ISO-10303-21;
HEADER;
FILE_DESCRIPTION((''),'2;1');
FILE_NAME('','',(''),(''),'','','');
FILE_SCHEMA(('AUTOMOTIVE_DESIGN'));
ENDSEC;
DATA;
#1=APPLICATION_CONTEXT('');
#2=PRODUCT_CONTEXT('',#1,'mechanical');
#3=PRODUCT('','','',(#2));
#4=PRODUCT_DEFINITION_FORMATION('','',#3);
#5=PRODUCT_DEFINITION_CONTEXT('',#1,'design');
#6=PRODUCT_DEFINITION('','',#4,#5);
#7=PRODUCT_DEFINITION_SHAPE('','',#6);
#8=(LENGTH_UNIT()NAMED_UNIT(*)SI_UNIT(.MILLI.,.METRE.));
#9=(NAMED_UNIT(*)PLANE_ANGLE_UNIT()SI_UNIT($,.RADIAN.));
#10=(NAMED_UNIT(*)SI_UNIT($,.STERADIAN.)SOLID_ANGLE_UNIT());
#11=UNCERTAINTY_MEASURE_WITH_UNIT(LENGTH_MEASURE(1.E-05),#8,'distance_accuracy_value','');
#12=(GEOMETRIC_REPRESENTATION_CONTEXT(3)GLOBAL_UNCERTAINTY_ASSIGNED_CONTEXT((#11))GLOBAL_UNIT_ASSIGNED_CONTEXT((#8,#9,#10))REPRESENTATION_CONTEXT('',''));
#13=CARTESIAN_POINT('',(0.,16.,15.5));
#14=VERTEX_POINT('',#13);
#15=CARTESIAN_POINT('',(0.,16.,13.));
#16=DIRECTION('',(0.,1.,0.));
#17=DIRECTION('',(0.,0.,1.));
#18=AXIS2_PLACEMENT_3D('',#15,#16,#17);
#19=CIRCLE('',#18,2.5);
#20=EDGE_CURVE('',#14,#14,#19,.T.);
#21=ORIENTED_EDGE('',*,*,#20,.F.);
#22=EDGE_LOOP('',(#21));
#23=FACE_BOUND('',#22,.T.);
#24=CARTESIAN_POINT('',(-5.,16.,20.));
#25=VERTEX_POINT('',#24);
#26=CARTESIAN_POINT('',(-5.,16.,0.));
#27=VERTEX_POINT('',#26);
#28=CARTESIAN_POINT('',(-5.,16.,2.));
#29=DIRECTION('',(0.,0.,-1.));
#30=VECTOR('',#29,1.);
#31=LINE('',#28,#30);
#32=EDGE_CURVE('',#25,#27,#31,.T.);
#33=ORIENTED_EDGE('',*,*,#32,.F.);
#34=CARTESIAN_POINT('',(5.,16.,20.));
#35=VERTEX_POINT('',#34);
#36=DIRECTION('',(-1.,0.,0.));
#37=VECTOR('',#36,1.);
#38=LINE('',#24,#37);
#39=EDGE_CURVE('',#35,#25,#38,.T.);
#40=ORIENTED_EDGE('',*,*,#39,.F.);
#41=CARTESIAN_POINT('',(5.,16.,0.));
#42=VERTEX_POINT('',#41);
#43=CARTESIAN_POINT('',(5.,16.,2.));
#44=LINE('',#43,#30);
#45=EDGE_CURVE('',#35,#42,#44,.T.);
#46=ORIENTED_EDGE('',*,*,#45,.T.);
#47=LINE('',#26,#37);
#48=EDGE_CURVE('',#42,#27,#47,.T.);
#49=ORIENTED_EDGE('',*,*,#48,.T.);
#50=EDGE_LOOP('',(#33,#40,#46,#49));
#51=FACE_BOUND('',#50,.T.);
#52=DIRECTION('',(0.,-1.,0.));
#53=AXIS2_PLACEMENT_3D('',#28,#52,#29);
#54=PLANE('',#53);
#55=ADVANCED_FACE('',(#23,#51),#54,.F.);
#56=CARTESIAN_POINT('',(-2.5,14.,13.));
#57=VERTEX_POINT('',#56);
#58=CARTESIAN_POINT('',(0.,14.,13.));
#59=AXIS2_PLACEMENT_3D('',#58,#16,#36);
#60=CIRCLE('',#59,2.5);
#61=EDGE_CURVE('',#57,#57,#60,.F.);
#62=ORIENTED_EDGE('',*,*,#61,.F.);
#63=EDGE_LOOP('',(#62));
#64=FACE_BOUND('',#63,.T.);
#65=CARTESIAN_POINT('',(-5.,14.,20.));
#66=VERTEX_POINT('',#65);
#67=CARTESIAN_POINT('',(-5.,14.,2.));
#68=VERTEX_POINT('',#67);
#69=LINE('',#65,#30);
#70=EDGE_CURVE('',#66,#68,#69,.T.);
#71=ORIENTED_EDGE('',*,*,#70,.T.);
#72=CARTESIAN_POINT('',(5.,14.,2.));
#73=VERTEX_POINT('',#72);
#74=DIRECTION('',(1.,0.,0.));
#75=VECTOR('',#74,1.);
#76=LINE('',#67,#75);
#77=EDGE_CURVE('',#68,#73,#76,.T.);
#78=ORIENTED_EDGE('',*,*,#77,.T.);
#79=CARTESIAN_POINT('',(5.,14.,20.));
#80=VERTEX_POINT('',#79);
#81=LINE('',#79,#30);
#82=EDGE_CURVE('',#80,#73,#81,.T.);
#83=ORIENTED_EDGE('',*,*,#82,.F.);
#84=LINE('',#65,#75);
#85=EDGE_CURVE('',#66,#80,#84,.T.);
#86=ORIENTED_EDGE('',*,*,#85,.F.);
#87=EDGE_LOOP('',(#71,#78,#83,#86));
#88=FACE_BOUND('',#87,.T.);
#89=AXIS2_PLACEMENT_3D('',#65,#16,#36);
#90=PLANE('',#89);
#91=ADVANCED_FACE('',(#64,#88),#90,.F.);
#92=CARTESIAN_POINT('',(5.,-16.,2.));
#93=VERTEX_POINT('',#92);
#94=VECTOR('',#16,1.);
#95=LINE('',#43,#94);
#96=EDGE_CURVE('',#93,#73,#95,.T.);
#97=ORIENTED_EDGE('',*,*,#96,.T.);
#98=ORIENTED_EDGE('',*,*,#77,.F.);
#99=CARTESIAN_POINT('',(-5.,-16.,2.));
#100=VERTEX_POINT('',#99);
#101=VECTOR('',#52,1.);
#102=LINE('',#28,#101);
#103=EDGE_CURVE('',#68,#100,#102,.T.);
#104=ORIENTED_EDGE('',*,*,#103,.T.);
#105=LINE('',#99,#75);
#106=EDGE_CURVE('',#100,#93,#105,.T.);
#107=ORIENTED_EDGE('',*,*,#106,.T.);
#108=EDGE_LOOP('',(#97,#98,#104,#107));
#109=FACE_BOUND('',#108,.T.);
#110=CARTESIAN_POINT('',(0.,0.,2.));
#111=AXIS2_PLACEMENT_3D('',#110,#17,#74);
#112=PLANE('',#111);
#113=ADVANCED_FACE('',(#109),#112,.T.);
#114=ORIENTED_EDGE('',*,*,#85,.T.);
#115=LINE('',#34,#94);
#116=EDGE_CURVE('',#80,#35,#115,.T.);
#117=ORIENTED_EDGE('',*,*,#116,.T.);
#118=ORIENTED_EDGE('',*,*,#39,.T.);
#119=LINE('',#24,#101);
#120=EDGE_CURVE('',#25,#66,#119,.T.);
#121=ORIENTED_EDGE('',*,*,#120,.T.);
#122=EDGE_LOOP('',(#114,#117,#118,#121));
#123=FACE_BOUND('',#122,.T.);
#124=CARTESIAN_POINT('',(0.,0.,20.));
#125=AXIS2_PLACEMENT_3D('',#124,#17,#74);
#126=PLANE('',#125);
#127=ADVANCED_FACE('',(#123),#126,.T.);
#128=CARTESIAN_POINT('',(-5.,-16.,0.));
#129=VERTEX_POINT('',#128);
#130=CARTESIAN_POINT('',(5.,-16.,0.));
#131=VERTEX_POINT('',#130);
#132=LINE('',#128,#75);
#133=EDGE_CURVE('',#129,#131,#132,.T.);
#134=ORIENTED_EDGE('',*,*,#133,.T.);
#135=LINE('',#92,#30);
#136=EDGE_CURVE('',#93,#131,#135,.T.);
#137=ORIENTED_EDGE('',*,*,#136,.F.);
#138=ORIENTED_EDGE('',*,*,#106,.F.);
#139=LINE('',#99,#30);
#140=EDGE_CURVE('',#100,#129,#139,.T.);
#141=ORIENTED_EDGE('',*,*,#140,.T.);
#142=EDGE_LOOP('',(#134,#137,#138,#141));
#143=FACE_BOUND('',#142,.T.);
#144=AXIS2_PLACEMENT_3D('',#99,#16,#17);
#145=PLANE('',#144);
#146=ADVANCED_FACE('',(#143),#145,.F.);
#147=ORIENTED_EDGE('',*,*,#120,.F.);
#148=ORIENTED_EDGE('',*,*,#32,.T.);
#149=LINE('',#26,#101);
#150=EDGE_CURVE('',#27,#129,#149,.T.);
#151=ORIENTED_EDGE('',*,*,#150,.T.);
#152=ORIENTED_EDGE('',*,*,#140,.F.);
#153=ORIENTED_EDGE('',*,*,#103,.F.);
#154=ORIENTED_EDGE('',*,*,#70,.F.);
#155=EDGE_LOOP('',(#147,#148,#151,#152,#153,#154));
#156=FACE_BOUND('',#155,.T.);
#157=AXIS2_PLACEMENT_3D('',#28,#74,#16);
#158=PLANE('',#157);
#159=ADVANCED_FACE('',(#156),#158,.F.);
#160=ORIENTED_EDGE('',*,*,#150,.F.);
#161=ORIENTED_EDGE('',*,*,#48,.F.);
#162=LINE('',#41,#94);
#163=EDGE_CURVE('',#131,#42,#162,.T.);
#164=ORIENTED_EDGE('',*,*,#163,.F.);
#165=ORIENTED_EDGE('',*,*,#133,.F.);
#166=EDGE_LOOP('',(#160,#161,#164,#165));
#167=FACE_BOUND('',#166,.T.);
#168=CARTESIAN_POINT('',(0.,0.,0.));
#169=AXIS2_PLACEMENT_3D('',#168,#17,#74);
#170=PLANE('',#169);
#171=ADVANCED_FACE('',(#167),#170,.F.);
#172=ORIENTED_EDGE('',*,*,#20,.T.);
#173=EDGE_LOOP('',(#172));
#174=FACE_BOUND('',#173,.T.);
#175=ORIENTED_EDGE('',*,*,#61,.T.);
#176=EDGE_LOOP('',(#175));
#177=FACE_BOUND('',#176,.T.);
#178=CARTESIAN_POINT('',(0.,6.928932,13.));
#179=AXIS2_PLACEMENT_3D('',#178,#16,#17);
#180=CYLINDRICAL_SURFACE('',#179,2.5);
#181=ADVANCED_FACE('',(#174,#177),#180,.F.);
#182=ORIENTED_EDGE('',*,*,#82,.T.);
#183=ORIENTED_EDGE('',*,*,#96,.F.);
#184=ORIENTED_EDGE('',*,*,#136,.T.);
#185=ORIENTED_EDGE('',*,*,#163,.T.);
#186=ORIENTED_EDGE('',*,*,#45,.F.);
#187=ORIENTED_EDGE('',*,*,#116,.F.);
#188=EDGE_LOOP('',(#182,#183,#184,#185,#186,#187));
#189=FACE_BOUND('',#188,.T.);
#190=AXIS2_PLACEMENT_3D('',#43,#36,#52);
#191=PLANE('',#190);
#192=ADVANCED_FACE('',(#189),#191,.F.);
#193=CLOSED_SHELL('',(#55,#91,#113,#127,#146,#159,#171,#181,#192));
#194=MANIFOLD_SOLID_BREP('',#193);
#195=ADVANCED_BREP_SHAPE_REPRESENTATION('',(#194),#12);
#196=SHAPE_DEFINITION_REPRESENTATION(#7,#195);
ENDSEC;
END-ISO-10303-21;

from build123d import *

# Parameters (mm, degrees)
SKETCH1_W           = 10
SKETCH1_H           = 32
BOSS_EXTRUDE1_DEPTH = 2
SKETCH2_W           = 10
SKETCH2_H           = 2
BOSS_EXTRUDE2_DEPTH = 18
SKETCH3_R           = 2.5
CUT_EXTRUDE1_DEPTH  = 2


with BuildPart() as part:
    # Sketch1 → Boss-Extrude1 (new body)
    with BuildSketch(Plane.XY):
        Rectangle(SKETCH1_W, SKETCH1_H)
    extrude(amount=BOSS_EXTRUDE1_DEPTH)

    # Sketch2 → Boss-Extrude2 (add)
    with BuildSketch(Plane.XY.offset(2)):
        with Locations((0, 15)):
            Rectangle(SKETCH2_W, SKETCH2_H)
    extrude(amount=BOSS_EXTRUDE2_DEPTH)

    # Sketch3 → Cut-Extrude1 (cut)
    with BuildSketch(Plane(origin=(0, 16, 0), x_dir=(1, 0, 0), z_dir=(0, 1, 0))):
        with Locations(Location((0, -13, 0), (0, 0, 270))):
            Circle(SKETCH3_R)
    extrude(amount=-CUT_EXTRUDE1_DEPTH, mode=Mode.SUBTRACT)


solid = part.part
